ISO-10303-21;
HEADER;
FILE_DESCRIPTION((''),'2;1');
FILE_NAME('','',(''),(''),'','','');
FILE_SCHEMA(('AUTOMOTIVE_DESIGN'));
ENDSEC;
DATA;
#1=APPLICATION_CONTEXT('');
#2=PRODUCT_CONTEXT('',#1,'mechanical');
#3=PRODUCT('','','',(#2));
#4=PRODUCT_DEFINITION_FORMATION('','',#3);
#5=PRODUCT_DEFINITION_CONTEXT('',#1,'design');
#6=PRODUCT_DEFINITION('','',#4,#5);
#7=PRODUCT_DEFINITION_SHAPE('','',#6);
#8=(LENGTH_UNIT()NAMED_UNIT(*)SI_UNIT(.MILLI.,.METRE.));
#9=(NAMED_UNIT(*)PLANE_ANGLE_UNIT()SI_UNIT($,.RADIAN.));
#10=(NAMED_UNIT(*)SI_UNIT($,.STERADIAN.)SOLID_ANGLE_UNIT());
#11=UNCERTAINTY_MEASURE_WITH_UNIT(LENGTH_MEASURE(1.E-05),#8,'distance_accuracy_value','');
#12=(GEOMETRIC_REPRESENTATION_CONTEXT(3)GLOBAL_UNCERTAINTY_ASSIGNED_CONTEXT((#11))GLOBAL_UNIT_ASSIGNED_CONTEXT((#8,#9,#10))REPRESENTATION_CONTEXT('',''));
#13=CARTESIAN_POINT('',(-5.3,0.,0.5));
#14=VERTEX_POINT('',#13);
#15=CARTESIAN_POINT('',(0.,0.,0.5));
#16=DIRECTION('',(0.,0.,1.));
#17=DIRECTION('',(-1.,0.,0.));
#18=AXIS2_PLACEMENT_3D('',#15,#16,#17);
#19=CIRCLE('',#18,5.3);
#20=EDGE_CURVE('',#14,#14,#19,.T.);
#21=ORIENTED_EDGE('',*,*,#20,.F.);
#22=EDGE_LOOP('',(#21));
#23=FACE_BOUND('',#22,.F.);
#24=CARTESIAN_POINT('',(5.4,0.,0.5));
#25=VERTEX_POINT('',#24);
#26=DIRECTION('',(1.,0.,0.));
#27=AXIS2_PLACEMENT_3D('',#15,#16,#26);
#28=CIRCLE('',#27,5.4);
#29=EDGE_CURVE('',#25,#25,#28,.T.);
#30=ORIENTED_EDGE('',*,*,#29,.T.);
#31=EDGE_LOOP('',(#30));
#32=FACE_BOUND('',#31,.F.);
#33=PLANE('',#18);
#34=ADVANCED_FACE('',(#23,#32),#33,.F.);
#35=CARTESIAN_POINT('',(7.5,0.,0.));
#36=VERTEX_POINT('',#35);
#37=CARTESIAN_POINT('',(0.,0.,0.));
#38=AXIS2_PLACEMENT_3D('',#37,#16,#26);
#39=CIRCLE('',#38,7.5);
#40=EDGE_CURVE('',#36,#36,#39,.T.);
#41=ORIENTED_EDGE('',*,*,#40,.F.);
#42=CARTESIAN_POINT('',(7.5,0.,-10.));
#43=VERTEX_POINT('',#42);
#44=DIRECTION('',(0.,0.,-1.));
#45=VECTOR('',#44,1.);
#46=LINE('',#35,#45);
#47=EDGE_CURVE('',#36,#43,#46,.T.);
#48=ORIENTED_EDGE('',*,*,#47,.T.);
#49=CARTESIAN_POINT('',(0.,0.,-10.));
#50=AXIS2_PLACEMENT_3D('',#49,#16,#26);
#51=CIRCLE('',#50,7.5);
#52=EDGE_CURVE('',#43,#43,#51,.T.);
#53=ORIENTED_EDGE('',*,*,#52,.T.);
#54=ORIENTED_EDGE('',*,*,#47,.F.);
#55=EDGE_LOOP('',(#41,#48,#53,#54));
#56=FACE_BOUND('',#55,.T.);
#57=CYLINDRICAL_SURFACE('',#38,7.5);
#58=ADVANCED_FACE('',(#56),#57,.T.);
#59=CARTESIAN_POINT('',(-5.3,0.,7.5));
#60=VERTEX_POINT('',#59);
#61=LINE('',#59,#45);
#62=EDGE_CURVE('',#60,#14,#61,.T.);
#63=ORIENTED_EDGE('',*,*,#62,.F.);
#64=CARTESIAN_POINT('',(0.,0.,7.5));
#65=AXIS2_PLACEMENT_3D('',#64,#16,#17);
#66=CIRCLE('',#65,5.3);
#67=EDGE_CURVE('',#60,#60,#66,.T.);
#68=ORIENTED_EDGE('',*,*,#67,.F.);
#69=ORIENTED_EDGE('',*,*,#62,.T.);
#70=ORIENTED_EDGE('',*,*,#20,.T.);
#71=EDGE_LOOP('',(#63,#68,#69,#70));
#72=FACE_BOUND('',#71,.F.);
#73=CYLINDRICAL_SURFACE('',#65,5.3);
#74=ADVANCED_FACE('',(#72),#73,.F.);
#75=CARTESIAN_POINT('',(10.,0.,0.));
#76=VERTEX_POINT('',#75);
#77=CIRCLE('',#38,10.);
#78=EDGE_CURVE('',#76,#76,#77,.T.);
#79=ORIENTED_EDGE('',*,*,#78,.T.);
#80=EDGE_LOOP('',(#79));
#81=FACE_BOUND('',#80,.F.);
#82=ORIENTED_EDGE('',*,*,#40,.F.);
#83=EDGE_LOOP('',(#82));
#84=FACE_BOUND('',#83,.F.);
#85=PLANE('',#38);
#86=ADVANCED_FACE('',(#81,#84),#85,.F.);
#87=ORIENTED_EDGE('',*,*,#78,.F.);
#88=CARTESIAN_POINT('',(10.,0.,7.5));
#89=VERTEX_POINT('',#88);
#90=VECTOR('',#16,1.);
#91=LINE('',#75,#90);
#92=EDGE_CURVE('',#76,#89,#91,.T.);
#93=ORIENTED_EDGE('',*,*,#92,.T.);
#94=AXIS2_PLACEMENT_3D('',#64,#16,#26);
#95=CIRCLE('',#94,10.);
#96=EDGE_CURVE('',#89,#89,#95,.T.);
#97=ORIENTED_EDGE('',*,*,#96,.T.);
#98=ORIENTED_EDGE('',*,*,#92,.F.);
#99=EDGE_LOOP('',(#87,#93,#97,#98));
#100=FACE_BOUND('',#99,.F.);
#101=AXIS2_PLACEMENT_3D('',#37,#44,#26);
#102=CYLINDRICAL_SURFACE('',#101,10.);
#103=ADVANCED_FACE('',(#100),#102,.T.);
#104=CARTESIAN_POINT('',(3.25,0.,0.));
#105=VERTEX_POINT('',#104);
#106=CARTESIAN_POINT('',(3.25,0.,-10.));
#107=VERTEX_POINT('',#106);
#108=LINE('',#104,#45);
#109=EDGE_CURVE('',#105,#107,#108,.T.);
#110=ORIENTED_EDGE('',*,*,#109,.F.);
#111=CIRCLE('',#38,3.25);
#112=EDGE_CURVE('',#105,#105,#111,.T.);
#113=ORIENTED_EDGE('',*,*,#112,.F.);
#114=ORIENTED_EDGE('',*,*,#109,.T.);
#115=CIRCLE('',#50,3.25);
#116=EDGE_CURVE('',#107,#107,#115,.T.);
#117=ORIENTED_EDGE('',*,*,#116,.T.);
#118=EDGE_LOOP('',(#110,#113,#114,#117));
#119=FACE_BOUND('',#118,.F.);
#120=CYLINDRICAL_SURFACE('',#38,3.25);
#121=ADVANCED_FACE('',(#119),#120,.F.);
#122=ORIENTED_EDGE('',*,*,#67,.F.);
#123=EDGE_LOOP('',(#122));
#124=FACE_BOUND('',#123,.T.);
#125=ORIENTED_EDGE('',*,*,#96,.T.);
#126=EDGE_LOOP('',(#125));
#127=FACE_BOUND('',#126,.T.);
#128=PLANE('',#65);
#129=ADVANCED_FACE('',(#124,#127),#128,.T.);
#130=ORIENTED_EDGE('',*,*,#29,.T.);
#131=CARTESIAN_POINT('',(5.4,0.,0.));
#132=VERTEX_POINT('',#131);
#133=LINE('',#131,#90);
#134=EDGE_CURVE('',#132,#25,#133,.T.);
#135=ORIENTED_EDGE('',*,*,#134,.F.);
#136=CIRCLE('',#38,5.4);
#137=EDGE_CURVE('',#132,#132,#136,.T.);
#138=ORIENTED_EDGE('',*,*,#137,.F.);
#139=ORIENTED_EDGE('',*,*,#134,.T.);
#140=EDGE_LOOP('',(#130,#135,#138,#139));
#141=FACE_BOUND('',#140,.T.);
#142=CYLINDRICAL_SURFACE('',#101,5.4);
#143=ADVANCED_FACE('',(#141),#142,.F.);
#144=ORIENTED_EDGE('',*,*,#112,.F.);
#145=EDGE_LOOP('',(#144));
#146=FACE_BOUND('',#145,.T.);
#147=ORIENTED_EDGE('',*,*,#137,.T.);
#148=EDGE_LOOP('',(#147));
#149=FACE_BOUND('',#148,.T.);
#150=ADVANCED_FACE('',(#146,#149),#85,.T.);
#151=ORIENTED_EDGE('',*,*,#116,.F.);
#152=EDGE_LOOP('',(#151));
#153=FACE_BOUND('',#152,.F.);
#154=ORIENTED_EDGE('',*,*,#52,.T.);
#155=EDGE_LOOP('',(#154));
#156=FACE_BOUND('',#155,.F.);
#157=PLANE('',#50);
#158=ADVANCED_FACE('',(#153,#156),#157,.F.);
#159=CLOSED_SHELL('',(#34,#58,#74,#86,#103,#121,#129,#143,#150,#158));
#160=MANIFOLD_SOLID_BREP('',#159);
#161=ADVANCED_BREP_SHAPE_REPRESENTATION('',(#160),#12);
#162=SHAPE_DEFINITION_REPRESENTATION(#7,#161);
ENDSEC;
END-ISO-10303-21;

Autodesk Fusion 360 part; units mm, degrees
sketch "Sketch1" plane through (0, 0, 0) normal (0, 0, 1) x (1, 0, 0)
  circle A0 centre (0, 0) radius 5
  circle A1 centre (0, 0) radius 10
  dimension "d1" = 10
  dimension "d2" = 20
extrude "Extrude1" add sketch "Sketch1" along normal blind 7.5
sketch "Sketch2" plane through (0, 0, 0) normal (0, 0, 1) x (1, 0, 0)
  circle A0 centre (0, 0) radius 3.05
  circle A1 centre (0, 0) radius 7.5
  dimension "d5" = 6.1
  dimension "d6" = 15
extrude "Extrude2" add sketch "Sketch2" against normal blind 10
sketch "草图3" plane through (0, 0, 0) normal (0, 0, 1) x (1, 0, 0)
  circle A0 centre (0, 0) radius 6
  dimension "d9" = 12
extrude "拉伸3" cut sketch "草图3" along normal blind 8
sketch "草图4" plane through (0, 0, 0) normal (0, 0, 1) x (1, 0, 0)
  circle A0 centre (0, 0) radius 3.25
  dimension "d12" = 6.5
extrude "拉伸4" cut sketch "草图4" against normal blind 10
sketch "草图5" plane through (0, 0, 0) normal (0, 0, 1) x (1, 0, 0)
  circle A0 centre (0, 0) radius 5.75
  circle A1 centre (0, 0) radius 6
  dimension "d15" = 11.5
extrude "拉伸5" add sketch "草图5" along normal blind 7.5
sketch "草图6" plane through (0, 0, 0) normal (0, 0, 1) x (1, 0, 0)
  circle A0 centre (0, 0) radius 5.4
  circle A1 centre (0, 0) radius 5.75
  dimension "d18" = 10.8
  dimension "d19" = 11.5
extrude "拉伸6" add sketch "草图6" along normal blind 7.5
sketch "草图7" plane through (0, 0, 7.5) normal (0, 0, 1) x (-1, 0, 0)
  circle A0 centre (0, 0) radius 5.4
  circle A1 centre (0, 0) radius 10
extrude "拉伸7" add sketch "草图7" against normal blind 7 contours A0
sketch "草图8" plane through (0, 0, 7.5) normal (0, 0, 1) x (-1, 0, 0)
  circle A0 centre (0, 0) radius 10
  circle A1 centre (0, 0) radius 5.3
  dimension "d24" = 10.6
extrude "拉伸8" cut sketch "草图8" against normal blind 7 contours A1
